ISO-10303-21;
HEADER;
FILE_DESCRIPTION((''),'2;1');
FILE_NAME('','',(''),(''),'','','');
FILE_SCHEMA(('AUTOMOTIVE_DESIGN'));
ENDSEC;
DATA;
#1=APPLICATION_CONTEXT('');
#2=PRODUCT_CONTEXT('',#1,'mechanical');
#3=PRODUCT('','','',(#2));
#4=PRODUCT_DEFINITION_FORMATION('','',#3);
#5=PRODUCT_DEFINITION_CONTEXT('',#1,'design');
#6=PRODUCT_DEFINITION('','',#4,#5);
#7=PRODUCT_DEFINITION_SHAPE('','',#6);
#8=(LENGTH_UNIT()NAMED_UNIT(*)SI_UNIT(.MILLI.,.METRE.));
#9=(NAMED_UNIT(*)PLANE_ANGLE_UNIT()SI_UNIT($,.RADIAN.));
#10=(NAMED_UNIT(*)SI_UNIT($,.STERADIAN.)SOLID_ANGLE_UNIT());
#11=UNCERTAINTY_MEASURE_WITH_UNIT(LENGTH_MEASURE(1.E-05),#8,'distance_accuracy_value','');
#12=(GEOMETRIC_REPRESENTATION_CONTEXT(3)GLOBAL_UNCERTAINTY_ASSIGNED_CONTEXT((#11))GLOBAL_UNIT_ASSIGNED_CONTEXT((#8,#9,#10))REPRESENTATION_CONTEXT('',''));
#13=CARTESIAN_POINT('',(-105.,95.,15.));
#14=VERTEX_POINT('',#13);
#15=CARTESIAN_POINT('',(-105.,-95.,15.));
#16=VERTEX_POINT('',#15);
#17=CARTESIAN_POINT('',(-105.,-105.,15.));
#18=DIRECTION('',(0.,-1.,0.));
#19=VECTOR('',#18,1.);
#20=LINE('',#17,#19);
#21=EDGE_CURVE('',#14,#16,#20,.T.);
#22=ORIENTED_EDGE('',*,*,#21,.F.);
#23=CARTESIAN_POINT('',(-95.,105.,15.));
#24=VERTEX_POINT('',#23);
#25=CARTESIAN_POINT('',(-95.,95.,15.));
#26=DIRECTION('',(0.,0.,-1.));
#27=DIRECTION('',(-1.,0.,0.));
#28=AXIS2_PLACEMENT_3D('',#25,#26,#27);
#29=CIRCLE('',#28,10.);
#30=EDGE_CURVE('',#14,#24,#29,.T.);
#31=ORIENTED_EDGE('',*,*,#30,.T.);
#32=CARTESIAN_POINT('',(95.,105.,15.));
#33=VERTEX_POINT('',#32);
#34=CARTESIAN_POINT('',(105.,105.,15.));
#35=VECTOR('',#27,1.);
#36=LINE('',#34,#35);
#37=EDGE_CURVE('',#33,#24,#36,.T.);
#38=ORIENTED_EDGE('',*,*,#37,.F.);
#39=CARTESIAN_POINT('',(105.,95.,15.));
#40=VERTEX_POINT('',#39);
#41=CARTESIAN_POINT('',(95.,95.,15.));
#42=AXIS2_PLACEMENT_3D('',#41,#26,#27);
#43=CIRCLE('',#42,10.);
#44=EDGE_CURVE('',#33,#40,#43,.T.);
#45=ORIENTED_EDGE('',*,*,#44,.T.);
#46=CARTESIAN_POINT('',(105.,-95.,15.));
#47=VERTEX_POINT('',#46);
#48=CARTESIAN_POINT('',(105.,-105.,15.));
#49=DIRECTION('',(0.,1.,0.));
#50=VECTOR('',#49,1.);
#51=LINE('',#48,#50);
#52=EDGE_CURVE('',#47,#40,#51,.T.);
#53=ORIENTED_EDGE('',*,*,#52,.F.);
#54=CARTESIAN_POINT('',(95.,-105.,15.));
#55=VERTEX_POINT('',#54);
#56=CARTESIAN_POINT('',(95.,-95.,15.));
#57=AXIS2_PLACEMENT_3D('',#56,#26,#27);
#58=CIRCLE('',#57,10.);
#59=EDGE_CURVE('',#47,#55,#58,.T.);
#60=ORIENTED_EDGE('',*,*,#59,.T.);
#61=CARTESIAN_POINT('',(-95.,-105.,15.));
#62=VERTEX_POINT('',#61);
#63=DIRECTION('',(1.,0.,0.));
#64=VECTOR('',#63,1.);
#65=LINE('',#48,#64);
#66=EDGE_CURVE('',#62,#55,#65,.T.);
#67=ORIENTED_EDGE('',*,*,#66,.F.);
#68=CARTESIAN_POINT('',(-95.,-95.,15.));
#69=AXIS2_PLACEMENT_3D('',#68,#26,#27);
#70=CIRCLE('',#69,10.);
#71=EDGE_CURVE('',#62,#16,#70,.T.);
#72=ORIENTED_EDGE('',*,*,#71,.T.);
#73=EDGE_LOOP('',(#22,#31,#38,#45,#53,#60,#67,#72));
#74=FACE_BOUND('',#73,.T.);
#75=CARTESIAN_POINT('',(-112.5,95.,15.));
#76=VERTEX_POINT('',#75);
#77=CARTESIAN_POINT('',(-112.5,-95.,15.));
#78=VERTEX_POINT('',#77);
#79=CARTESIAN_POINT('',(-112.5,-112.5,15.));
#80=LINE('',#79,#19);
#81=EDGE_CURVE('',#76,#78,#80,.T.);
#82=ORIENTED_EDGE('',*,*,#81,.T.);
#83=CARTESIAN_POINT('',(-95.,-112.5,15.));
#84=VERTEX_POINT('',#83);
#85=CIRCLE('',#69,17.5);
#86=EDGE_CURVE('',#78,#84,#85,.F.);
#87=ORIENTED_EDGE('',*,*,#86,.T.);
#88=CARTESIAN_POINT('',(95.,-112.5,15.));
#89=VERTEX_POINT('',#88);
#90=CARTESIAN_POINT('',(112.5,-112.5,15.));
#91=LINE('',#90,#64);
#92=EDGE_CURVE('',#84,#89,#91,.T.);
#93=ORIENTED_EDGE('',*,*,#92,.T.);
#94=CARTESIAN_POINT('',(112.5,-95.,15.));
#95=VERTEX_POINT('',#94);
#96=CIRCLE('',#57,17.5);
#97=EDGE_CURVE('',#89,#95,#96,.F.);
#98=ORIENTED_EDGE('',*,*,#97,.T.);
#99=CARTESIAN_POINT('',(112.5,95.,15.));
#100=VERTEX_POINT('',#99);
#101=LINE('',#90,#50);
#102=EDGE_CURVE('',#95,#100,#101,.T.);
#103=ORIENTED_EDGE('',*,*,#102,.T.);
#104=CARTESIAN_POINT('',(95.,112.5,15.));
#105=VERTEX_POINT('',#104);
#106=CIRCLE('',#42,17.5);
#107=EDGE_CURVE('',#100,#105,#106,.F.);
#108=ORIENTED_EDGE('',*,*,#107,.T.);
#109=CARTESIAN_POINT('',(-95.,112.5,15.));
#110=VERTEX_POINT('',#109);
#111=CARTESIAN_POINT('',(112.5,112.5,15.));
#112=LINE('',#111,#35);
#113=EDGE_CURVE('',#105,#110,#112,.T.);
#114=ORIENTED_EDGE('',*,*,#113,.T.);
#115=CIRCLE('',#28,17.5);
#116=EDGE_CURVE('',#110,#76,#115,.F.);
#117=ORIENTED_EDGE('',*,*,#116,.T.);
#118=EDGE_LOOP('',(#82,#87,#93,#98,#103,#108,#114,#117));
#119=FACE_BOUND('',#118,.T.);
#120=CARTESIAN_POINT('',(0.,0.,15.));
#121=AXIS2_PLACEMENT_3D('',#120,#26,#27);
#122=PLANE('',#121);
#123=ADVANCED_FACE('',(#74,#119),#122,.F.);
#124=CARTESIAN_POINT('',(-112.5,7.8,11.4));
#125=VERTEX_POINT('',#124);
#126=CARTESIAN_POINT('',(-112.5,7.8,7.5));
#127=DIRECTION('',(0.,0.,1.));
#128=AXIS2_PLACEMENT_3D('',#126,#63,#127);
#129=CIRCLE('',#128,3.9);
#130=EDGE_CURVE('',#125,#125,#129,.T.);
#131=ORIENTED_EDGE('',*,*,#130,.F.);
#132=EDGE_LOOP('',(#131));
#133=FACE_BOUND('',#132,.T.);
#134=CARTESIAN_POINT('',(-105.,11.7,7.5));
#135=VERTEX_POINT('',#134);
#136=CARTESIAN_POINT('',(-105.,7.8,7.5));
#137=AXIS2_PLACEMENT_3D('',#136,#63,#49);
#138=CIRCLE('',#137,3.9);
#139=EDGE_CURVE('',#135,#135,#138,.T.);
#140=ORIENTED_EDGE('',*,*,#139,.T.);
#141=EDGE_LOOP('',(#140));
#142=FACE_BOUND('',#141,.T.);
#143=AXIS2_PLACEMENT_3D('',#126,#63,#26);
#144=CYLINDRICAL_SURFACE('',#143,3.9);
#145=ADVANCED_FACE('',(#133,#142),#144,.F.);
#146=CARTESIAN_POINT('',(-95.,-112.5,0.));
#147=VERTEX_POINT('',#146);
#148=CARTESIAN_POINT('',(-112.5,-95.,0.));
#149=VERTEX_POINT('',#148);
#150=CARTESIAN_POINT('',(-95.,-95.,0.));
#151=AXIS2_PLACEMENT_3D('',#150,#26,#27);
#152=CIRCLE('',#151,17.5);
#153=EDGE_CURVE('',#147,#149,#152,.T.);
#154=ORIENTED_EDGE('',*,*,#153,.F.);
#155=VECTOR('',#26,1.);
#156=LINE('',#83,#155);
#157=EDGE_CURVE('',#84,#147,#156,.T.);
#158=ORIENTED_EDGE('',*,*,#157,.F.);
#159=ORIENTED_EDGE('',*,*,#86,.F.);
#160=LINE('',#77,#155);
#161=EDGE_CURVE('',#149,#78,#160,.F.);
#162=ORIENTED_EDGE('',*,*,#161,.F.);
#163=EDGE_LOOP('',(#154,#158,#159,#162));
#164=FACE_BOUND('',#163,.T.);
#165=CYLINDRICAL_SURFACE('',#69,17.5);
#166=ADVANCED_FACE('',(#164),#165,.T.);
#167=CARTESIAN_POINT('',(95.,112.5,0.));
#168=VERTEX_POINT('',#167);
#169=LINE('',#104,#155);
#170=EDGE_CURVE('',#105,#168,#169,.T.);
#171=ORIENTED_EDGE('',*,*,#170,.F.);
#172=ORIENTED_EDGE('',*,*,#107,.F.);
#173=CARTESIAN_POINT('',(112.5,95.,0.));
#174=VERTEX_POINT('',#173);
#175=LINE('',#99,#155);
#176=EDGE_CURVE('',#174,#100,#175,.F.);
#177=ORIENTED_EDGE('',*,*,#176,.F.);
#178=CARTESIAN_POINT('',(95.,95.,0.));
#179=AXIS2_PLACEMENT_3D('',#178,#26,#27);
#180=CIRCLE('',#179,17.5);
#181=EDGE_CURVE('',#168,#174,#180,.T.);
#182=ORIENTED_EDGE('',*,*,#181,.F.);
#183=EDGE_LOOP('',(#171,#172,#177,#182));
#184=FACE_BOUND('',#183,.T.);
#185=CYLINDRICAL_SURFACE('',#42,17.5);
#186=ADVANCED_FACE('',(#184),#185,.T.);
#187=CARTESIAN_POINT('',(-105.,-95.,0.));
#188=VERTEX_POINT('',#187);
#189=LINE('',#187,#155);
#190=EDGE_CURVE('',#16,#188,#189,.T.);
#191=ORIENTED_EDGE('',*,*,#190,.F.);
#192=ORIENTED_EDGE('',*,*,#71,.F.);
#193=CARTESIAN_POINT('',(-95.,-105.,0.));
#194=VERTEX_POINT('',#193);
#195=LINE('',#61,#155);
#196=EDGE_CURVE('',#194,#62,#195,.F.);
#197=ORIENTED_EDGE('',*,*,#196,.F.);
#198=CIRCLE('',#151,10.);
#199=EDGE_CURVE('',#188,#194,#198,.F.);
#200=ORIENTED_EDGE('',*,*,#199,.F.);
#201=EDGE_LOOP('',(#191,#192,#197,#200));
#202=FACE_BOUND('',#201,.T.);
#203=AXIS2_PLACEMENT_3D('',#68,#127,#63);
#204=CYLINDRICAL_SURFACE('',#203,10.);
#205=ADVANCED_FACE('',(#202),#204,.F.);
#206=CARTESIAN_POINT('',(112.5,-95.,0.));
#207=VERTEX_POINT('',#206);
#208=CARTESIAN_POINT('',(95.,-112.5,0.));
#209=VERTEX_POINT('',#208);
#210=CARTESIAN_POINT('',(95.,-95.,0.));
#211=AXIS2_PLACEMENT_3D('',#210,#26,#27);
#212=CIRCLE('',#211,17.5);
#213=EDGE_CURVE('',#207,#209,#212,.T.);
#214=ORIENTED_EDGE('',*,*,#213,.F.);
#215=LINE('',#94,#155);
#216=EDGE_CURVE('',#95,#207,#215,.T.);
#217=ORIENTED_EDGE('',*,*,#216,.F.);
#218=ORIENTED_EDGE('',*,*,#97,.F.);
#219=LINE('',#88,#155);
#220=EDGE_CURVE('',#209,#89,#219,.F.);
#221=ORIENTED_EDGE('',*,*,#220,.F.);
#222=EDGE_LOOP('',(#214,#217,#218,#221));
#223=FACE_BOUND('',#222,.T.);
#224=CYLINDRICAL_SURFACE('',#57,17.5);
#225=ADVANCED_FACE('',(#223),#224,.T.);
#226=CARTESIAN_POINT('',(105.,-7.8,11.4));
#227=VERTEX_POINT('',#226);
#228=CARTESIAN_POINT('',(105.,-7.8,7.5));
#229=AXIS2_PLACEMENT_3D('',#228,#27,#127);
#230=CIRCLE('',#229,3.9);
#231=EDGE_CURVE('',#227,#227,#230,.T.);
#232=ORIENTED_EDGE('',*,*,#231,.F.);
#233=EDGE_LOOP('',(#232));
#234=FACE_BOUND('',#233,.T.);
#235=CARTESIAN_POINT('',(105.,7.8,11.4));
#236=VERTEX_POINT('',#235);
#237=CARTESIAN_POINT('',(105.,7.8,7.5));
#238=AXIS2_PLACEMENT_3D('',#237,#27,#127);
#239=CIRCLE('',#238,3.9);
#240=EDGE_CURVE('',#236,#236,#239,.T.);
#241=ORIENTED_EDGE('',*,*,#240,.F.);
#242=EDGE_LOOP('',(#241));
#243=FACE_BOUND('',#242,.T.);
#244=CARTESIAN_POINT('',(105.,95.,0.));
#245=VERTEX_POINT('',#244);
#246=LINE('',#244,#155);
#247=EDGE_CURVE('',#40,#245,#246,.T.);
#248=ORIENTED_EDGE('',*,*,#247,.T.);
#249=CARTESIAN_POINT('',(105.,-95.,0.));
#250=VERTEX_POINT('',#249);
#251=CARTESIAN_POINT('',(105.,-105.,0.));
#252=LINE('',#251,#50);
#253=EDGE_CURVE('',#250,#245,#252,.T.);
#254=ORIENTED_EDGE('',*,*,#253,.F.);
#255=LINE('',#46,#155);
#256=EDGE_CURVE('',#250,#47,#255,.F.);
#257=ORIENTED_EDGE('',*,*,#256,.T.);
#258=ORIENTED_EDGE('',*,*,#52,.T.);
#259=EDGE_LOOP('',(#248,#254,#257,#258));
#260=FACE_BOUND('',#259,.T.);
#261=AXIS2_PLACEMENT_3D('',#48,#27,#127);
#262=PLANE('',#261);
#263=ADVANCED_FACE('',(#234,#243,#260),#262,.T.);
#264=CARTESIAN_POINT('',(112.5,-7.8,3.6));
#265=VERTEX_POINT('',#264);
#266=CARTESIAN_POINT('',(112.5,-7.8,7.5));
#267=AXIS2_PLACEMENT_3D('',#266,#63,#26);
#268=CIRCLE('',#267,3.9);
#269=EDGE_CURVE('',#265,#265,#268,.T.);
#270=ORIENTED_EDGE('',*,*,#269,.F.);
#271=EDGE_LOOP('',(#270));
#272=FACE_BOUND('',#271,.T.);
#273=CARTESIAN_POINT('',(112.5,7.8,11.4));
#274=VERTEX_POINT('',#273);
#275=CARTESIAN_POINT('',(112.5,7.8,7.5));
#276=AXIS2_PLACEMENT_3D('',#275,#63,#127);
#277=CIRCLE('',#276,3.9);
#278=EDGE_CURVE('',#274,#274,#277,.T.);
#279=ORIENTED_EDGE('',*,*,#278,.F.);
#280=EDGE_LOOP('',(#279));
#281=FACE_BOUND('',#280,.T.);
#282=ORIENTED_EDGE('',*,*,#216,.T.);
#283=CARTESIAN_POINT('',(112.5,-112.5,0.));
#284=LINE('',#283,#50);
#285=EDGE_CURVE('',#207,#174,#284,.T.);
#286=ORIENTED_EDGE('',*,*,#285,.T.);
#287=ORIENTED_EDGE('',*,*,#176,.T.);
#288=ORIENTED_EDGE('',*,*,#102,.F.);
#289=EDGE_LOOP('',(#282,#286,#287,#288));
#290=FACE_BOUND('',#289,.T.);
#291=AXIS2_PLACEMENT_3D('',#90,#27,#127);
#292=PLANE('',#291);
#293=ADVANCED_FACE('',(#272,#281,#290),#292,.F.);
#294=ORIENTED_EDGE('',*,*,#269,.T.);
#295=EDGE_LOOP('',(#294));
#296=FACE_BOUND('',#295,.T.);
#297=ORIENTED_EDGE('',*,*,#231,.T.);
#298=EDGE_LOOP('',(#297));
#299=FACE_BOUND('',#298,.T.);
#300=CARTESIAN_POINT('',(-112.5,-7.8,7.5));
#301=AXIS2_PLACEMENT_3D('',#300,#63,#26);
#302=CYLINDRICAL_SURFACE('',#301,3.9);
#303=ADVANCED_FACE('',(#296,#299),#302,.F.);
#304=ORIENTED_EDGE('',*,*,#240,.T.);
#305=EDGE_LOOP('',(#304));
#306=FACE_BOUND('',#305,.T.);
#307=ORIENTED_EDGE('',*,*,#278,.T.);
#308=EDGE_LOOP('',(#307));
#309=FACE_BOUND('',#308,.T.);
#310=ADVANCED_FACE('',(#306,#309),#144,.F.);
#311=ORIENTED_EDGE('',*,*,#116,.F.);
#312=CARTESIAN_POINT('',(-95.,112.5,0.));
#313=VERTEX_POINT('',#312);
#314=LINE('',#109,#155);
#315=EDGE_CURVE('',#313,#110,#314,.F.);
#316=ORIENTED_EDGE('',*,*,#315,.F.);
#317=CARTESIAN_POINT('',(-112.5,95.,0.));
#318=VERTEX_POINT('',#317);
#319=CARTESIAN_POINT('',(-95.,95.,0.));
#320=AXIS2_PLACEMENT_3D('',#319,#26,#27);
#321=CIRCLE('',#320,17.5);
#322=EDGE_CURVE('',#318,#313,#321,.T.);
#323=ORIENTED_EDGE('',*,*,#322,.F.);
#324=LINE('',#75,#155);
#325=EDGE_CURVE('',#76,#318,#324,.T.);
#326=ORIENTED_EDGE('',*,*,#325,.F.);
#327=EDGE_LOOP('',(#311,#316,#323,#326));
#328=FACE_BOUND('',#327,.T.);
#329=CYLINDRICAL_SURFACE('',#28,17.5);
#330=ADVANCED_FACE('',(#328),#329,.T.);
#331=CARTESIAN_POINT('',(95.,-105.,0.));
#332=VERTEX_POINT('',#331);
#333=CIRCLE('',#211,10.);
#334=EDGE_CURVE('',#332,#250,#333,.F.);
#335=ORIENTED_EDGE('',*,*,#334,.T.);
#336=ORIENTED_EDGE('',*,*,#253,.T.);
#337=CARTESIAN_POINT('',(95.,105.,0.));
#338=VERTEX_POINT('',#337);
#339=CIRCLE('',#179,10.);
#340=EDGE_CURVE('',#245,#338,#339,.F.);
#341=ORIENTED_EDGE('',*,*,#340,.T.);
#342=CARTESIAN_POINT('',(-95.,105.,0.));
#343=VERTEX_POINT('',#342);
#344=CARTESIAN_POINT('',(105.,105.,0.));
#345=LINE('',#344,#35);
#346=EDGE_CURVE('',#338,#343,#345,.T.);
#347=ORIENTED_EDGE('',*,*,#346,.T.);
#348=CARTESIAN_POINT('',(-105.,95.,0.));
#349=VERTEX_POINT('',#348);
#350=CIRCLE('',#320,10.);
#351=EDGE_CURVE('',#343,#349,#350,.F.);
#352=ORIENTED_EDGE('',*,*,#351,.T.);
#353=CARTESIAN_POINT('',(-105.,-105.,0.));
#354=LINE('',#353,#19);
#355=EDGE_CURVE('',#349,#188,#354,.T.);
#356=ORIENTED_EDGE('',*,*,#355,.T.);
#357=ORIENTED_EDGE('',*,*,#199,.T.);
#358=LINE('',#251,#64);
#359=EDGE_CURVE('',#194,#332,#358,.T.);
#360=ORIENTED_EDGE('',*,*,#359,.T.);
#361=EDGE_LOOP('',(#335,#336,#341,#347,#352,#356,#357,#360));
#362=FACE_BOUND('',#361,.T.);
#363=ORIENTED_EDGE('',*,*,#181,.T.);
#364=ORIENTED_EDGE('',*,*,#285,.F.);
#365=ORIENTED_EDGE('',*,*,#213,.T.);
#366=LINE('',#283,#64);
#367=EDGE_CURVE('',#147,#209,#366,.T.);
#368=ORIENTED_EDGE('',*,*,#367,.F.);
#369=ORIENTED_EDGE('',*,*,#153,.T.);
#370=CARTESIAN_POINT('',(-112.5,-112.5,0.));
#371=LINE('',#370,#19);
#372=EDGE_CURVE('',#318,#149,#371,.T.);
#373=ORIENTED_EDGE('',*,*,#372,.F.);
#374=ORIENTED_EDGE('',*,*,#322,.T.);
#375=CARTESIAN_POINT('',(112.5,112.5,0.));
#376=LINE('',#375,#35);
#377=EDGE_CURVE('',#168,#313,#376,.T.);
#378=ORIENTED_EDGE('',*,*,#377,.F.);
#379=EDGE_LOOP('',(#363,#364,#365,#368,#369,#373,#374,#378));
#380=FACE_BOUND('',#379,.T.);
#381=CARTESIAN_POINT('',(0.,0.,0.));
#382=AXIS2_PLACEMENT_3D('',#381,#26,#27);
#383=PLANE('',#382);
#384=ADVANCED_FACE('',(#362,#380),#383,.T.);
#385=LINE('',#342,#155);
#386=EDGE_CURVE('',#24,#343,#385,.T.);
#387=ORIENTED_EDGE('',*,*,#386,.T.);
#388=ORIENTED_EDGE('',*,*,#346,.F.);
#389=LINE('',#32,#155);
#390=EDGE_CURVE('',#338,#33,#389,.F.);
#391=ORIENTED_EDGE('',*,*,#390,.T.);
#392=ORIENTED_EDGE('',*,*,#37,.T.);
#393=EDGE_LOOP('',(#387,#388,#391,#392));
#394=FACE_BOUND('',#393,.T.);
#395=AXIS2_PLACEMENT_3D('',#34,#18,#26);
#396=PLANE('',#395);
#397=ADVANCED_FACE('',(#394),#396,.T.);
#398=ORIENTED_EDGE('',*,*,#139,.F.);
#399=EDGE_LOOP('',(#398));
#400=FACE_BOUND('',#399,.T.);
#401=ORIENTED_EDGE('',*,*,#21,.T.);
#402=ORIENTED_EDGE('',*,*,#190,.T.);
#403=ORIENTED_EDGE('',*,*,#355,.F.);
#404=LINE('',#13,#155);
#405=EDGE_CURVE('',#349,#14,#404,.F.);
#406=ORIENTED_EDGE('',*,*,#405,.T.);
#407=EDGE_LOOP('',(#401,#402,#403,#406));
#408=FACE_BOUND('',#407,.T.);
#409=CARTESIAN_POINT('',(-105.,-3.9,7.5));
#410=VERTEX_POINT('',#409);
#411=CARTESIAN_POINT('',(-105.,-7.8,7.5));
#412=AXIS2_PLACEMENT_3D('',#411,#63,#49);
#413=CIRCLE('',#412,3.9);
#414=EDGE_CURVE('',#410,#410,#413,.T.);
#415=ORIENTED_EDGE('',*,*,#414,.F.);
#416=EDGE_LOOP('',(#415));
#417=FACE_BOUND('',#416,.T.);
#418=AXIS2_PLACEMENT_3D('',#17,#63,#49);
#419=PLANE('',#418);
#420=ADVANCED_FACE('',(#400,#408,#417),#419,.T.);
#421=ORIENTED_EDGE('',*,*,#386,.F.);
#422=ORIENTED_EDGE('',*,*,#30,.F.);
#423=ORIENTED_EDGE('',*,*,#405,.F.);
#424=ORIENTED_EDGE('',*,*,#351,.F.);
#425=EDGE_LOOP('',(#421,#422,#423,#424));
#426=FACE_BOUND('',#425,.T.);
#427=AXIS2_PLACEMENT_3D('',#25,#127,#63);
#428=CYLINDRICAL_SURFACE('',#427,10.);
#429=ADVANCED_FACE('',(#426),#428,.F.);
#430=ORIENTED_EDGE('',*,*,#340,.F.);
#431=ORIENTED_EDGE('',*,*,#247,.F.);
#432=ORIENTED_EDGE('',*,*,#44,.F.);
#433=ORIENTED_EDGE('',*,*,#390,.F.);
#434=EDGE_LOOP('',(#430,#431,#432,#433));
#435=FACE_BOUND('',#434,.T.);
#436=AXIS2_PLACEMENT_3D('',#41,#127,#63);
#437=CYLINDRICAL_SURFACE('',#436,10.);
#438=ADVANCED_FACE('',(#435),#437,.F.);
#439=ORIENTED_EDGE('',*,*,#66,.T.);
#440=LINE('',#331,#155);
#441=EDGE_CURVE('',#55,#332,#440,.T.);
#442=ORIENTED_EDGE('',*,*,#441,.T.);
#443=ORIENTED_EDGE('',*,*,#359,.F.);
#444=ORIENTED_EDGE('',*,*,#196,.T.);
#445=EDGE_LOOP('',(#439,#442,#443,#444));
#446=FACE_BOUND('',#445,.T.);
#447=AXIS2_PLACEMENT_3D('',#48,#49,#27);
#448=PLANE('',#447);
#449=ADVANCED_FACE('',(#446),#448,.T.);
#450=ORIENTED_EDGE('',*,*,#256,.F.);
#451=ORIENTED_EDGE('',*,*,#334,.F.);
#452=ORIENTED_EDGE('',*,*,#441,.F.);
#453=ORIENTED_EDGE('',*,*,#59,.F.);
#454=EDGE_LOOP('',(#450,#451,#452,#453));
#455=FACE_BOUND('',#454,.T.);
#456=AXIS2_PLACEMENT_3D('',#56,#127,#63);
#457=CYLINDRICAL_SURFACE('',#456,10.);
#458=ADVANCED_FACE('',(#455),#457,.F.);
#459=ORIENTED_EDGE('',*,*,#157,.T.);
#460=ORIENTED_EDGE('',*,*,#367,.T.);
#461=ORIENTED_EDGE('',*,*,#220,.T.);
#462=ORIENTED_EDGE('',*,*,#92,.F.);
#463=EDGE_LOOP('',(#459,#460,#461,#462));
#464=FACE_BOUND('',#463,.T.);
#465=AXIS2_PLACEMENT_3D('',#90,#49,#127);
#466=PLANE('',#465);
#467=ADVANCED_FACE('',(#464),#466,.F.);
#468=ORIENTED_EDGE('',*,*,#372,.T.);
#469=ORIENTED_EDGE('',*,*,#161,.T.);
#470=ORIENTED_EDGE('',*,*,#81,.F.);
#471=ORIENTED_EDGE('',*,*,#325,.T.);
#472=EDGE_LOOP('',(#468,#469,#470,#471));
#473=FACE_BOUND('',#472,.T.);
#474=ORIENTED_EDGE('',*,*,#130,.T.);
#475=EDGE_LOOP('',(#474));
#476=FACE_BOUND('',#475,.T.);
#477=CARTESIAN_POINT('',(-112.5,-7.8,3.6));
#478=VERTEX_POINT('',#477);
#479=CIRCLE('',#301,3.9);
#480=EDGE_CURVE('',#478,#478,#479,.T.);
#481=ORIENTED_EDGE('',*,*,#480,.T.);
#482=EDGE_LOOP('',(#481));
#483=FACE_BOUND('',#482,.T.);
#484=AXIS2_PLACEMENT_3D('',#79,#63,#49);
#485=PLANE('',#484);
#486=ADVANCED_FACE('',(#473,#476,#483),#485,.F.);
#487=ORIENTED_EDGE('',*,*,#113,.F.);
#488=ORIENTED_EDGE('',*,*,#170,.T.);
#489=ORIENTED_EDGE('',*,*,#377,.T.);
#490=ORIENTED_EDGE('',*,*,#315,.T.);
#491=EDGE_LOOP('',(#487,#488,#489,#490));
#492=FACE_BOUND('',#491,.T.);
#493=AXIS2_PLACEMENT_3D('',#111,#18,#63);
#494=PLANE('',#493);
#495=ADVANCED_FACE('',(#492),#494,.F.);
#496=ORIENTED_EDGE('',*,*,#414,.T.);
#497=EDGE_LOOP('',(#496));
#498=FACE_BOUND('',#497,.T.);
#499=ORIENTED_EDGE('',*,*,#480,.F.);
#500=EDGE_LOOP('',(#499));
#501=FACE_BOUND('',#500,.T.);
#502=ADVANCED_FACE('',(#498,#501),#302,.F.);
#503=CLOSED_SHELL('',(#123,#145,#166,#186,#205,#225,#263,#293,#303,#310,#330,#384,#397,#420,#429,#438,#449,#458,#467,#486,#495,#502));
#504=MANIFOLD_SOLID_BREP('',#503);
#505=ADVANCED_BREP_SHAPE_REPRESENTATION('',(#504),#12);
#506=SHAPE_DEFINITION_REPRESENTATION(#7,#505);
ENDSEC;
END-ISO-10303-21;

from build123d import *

# Parameters (mm, degrees)
SKETCH1_W           = 225
SKETCH1_H           = 225
SKETCH1_W_2         = 210
SKETCH1_H_2         = 210
BOSS_EXTRUDE1_DEPTH = 15
SKETCH2_R           = 3.9
CUT_EXTRUDE1_DEPTH  = 253.004464246
FILLET1_R           = 10
FILLET2_R           = 17.5


with BuildPart() as part:
    # Sketch1 → Boss-Extrude1 (new body)
    with BuildSketch(Plane(origin=(0, 0, 0), x_dir=(0, 1, 0), z_dir=(0, 0, 1))):
        Rectangle(SKETCH1_W, SKETCH1_H)
        Rectangle(SKETCH1_W_2, SKETCH1_H_2, mode=Mode.SUBTRACT)
    extrude(amount=BOSS_EXTRUDE1_DEPTH)

    # Sketch2 → Cut-Extrude1 (cut, through all)
    with BuildSketch(Plane.YZ.offset(112.5)):
        with Locations(Location((-7.8, 7.5, 0), (0, 0, 270))):
            Circle(SKETCH2_R)
        with Locations(Location((7.8, 7.5, 0), (0, 0, 90))):
            Circle(SKETCH2_R)
    extrude(amount=-CUT_EXTRUDE1_DEPTH, mode=Mode.SUBTRACT)

    # Fillet1
    fillet1_edges = [part.edges().sort_by_distance(p)[0] for p in [
        (105, 105, 7.5),
        (-105, 105, 7.5),
        (-105, -105, 7.5),
        (105, -105, 7.5),
    ]]
    fillet(fillet1_edges, radius=FILLET1_R)

    # Fillet2
    fillet2_edges = [part.edges().sort_by_distance(p)[0] for p in [
        (112.5, 112.5, 7.5),
        (112.5, -112.5, 7.5),
        (-112.5, -112.5, 7.5),
        (-112.5, 112.5, 7.5),
    ]]
    fillet(fillet2_edges, radius=FILLET2_R)


solid = part.part
